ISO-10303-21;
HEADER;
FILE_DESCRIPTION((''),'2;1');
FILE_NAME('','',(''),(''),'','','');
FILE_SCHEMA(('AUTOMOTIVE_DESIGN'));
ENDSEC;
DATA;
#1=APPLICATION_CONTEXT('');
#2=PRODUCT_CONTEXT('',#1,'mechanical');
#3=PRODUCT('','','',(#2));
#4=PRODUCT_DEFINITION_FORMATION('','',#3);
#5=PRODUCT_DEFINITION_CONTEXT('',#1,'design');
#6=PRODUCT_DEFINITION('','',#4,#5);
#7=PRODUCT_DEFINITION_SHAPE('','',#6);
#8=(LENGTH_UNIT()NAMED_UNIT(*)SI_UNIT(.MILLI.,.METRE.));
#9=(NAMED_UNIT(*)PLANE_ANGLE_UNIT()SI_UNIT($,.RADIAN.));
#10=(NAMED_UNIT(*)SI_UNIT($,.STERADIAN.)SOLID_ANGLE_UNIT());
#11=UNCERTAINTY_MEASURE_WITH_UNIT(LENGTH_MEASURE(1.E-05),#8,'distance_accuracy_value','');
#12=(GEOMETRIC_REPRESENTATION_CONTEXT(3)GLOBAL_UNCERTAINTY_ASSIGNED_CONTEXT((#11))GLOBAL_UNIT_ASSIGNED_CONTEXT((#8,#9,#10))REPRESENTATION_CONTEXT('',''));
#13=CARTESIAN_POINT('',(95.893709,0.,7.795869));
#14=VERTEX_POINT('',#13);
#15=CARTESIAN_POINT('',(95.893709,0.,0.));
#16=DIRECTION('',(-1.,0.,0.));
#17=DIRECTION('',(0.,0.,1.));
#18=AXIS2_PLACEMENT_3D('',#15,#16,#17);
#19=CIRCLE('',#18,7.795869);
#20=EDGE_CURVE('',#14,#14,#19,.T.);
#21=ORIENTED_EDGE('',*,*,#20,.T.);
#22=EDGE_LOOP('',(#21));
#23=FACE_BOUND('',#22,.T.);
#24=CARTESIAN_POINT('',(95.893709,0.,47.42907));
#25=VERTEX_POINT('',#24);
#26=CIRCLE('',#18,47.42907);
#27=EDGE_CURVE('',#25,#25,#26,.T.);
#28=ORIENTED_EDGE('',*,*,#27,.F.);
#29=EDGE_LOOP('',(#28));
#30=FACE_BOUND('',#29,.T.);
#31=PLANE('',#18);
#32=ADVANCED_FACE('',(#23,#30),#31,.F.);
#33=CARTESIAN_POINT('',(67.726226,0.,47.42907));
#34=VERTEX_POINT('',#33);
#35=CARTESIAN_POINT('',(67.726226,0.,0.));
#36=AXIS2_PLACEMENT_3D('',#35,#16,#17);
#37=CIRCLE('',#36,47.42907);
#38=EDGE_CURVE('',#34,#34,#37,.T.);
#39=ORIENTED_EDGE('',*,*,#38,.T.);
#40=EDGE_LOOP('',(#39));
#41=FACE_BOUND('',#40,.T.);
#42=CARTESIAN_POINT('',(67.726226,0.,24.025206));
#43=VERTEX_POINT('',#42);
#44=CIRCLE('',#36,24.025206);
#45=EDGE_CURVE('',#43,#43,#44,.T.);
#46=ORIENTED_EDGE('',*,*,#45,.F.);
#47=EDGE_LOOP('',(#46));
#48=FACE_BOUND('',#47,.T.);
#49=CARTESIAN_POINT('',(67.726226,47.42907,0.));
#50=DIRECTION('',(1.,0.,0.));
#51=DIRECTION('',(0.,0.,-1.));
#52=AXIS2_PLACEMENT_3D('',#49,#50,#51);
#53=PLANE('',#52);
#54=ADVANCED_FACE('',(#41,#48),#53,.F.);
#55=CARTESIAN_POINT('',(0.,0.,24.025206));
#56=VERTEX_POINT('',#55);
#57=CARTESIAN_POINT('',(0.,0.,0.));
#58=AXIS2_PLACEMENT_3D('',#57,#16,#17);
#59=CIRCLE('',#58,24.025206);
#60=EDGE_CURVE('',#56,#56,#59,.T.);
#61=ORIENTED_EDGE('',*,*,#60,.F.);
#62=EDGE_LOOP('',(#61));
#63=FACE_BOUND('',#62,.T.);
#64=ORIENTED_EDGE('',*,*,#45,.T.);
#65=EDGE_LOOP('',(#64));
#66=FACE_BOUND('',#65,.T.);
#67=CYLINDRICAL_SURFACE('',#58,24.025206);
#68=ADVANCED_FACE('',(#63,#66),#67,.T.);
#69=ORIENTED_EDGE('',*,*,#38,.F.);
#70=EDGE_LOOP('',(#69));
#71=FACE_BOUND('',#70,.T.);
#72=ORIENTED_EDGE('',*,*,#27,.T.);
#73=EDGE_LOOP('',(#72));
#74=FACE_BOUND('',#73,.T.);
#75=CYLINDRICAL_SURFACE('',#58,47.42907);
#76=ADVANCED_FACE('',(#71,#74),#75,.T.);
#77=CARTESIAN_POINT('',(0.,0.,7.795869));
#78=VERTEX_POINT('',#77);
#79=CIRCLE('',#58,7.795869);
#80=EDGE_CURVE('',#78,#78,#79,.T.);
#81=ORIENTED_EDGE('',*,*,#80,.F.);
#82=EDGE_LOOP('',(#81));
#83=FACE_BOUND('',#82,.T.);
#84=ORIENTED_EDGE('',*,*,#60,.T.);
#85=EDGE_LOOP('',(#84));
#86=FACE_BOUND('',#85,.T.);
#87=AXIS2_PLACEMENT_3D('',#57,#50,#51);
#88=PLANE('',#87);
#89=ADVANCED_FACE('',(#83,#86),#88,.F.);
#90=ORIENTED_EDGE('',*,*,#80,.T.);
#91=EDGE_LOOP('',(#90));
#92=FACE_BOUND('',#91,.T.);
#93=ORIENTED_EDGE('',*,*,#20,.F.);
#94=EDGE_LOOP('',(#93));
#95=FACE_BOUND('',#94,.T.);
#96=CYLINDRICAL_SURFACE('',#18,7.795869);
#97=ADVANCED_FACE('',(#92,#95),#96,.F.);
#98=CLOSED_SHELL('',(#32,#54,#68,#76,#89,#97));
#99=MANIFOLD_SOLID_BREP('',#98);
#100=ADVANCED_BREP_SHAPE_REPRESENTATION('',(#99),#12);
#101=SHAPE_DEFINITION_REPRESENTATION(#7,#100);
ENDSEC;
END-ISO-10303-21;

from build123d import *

# Parameters (mm, degrees)
SKETCH_2_R          = 7.795868549
CUT_EXTRUDE_1_DEPTH = 118.024086346


with BuildPart() as part:
    # 草图1 → 旋转1 (revolve)
    with BuildSketch(Plane.XY, mode=Mode.PRIVATE) as revolve_1_sk:
        Polygon((67.726226486, 47.429069924), (67.726226486, 24.025205726), (0, 24.025205726), (0, 0), (67.726226486, 0), (95.893709061, 0), (95.893709061, 47.429069924), align=None)
    revolve(revolve_1_sk.sketch.rotate(Axis((0, 0, 0), (1, 0, 0)), 90), axis=Axis((0, 0, 0), (1, 0, 0)))

    # 草图2 → 切除-拉伸1 (cut, through all)
    with BuildSketch(Plane.ZY):
        Circle(SKETCH_2_R)
    extrude(amount=-CUT_EXTRUDE_1_DEPTH, mode=Mode.SUBTRACT)


solid = part.part
